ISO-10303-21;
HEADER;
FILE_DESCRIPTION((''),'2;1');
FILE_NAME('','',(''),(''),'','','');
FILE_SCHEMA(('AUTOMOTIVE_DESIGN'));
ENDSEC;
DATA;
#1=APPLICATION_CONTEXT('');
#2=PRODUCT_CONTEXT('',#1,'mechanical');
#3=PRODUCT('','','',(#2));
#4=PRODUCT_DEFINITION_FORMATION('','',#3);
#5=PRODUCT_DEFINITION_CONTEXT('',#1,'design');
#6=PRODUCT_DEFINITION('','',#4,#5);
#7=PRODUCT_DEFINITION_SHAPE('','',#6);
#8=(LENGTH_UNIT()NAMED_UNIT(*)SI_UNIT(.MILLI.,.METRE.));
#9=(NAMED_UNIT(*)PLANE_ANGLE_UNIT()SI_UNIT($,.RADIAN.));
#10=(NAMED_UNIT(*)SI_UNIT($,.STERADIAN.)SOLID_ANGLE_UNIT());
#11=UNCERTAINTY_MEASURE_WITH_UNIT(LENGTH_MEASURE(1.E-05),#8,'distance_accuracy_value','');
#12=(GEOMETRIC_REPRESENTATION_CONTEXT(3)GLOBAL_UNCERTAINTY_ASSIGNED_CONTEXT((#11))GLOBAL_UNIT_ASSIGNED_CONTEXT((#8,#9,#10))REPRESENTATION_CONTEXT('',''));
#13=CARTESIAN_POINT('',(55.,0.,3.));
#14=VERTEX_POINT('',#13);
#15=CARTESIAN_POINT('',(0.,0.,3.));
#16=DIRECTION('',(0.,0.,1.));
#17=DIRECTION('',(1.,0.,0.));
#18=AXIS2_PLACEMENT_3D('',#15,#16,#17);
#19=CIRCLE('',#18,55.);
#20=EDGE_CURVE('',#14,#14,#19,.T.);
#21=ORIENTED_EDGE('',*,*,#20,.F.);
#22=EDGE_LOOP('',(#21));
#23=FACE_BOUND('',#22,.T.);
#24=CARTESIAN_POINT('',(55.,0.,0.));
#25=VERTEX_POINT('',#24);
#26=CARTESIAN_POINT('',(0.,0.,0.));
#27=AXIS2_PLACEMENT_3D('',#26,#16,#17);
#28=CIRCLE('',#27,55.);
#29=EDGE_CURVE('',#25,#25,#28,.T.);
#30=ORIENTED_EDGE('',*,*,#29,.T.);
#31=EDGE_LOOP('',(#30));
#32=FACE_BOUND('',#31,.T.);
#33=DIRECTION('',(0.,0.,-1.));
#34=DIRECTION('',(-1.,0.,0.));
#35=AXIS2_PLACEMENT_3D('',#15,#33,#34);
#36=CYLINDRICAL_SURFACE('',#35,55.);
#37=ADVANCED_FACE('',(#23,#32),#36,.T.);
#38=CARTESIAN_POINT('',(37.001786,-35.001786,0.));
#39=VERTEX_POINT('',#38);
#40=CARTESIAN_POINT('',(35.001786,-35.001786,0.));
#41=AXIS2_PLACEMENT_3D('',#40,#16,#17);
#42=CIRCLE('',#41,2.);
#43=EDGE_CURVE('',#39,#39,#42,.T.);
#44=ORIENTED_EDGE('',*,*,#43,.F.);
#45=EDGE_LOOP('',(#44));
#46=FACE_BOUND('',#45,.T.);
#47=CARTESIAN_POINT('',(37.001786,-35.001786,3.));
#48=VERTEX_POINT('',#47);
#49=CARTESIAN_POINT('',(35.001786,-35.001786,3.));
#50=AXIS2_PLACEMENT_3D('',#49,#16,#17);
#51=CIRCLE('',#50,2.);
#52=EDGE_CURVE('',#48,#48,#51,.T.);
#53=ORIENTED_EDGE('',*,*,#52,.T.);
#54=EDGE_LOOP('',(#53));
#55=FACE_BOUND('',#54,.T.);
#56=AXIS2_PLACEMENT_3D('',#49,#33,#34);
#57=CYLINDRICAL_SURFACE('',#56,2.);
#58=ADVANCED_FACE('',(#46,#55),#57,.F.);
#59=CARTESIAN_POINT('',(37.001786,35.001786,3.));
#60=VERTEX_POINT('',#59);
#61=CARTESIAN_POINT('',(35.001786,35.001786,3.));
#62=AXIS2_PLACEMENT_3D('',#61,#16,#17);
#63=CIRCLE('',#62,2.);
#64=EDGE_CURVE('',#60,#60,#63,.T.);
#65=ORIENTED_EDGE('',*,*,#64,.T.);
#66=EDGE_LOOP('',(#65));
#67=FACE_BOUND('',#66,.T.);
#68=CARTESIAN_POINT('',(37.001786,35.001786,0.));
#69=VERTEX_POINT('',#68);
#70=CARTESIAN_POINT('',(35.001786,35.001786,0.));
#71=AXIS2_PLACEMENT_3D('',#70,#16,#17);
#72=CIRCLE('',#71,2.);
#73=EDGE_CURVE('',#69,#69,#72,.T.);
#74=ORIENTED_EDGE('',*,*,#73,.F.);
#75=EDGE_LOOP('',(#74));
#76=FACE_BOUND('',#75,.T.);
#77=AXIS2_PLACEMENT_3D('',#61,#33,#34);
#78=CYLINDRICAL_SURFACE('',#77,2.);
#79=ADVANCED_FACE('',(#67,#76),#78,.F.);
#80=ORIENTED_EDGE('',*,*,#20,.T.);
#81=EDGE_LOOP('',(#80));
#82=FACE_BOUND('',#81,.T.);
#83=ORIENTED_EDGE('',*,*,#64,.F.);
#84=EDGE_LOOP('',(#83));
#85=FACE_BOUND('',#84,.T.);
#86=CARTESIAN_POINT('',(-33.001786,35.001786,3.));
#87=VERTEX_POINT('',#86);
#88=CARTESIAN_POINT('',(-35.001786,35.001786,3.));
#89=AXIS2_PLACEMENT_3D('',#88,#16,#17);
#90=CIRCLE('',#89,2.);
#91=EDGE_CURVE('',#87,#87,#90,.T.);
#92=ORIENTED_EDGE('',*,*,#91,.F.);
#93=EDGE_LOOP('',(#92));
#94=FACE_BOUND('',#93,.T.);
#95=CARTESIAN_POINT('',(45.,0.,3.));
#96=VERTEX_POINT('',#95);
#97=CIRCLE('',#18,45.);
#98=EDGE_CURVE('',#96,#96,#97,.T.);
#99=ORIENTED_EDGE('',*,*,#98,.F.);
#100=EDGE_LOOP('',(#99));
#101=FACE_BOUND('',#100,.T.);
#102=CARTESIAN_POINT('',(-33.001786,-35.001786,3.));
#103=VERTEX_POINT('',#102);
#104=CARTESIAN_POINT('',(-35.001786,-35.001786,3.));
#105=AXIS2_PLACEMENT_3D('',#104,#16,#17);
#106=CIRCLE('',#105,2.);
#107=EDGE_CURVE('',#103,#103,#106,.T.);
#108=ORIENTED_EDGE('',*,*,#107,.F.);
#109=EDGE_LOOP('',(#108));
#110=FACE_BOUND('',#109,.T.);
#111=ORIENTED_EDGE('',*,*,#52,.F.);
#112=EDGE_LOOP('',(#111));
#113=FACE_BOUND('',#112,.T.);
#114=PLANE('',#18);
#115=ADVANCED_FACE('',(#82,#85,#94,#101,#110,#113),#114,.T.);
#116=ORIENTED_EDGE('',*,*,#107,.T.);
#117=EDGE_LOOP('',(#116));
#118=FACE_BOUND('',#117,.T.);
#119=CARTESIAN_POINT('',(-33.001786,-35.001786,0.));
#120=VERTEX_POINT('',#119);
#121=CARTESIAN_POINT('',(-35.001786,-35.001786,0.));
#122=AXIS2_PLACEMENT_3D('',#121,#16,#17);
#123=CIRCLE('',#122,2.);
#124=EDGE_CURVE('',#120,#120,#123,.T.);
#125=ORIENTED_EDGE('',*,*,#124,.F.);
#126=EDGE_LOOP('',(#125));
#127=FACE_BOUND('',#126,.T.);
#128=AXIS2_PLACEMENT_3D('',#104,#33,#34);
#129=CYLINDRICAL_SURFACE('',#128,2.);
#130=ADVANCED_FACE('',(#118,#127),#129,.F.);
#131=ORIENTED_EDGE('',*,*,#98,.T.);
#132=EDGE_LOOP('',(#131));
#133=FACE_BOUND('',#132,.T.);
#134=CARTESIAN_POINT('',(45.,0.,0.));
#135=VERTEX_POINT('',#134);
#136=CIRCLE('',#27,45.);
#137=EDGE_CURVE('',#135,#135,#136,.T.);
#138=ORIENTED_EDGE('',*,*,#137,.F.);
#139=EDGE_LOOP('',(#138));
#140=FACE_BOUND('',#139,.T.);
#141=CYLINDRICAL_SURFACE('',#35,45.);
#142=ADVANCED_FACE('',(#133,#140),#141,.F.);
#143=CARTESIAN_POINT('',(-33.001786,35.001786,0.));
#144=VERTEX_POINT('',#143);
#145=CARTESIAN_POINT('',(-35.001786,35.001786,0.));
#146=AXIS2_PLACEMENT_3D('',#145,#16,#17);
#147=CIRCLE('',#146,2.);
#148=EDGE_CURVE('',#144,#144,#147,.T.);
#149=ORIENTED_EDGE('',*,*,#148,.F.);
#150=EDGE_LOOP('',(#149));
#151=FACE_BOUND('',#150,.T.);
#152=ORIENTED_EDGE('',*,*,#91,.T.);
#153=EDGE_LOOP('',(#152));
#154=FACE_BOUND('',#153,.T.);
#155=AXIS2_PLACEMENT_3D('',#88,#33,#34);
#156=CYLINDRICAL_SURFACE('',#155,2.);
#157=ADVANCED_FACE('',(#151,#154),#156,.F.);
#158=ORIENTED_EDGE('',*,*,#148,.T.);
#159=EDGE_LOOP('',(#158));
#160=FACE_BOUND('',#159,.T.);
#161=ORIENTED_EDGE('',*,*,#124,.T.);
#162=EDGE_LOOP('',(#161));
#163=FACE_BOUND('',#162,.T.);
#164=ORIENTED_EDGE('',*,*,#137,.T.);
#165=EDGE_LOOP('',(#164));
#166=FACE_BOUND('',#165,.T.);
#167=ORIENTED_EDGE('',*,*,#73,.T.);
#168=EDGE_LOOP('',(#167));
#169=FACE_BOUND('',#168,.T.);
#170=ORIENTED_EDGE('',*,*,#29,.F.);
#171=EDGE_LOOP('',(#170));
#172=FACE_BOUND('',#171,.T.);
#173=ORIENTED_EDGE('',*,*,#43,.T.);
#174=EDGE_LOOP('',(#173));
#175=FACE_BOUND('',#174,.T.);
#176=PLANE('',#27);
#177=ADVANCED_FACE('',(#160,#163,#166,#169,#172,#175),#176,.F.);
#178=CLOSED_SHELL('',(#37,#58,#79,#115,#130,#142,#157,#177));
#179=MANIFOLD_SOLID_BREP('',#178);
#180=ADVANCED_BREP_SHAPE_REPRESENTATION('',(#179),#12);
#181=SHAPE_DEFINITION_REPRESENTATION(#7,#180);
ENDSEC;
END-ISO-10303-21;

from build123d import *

# Parameters (mm, degrees)
SKETCH_1_R      = 55
SKETCH_1_R_2    = 45
SKETCH_1_R_3    = 2
EXTRUDE_1_DEPTH = 3


with BuildPart() as part:
    # 草图1 → 凸台-拉伸1 (new body)
    with BuildSketch(Plane.XY):
        Circle(SKETCH_1_R)
        Circle(SKETCH_1_R_2, mode=Mode.SUBTRACT)
        with Locations((-35.001785669, 35.001785669)):
            Circle(SKETCH_1_R_3, mode=Mode.SUBTRACT)
        with Locations((35.001785669, 35.001785669)):
            Circle(SKETCH_1_R_3, mode=Mode.SUBTRACT)
        with Locations((35.001785669, -35.001785669)):
            Circle(SKETCH_1_R_3, mode=Mode.SUBTRACT)
        with Locations((-35.001785669, -35.001785669)):
            Circle(SKETCH_1_R_3, mode=Mode.SUBTRACT)
    extrude(amount=EXTRUDE_1_DEPTH)


solid = part.part
